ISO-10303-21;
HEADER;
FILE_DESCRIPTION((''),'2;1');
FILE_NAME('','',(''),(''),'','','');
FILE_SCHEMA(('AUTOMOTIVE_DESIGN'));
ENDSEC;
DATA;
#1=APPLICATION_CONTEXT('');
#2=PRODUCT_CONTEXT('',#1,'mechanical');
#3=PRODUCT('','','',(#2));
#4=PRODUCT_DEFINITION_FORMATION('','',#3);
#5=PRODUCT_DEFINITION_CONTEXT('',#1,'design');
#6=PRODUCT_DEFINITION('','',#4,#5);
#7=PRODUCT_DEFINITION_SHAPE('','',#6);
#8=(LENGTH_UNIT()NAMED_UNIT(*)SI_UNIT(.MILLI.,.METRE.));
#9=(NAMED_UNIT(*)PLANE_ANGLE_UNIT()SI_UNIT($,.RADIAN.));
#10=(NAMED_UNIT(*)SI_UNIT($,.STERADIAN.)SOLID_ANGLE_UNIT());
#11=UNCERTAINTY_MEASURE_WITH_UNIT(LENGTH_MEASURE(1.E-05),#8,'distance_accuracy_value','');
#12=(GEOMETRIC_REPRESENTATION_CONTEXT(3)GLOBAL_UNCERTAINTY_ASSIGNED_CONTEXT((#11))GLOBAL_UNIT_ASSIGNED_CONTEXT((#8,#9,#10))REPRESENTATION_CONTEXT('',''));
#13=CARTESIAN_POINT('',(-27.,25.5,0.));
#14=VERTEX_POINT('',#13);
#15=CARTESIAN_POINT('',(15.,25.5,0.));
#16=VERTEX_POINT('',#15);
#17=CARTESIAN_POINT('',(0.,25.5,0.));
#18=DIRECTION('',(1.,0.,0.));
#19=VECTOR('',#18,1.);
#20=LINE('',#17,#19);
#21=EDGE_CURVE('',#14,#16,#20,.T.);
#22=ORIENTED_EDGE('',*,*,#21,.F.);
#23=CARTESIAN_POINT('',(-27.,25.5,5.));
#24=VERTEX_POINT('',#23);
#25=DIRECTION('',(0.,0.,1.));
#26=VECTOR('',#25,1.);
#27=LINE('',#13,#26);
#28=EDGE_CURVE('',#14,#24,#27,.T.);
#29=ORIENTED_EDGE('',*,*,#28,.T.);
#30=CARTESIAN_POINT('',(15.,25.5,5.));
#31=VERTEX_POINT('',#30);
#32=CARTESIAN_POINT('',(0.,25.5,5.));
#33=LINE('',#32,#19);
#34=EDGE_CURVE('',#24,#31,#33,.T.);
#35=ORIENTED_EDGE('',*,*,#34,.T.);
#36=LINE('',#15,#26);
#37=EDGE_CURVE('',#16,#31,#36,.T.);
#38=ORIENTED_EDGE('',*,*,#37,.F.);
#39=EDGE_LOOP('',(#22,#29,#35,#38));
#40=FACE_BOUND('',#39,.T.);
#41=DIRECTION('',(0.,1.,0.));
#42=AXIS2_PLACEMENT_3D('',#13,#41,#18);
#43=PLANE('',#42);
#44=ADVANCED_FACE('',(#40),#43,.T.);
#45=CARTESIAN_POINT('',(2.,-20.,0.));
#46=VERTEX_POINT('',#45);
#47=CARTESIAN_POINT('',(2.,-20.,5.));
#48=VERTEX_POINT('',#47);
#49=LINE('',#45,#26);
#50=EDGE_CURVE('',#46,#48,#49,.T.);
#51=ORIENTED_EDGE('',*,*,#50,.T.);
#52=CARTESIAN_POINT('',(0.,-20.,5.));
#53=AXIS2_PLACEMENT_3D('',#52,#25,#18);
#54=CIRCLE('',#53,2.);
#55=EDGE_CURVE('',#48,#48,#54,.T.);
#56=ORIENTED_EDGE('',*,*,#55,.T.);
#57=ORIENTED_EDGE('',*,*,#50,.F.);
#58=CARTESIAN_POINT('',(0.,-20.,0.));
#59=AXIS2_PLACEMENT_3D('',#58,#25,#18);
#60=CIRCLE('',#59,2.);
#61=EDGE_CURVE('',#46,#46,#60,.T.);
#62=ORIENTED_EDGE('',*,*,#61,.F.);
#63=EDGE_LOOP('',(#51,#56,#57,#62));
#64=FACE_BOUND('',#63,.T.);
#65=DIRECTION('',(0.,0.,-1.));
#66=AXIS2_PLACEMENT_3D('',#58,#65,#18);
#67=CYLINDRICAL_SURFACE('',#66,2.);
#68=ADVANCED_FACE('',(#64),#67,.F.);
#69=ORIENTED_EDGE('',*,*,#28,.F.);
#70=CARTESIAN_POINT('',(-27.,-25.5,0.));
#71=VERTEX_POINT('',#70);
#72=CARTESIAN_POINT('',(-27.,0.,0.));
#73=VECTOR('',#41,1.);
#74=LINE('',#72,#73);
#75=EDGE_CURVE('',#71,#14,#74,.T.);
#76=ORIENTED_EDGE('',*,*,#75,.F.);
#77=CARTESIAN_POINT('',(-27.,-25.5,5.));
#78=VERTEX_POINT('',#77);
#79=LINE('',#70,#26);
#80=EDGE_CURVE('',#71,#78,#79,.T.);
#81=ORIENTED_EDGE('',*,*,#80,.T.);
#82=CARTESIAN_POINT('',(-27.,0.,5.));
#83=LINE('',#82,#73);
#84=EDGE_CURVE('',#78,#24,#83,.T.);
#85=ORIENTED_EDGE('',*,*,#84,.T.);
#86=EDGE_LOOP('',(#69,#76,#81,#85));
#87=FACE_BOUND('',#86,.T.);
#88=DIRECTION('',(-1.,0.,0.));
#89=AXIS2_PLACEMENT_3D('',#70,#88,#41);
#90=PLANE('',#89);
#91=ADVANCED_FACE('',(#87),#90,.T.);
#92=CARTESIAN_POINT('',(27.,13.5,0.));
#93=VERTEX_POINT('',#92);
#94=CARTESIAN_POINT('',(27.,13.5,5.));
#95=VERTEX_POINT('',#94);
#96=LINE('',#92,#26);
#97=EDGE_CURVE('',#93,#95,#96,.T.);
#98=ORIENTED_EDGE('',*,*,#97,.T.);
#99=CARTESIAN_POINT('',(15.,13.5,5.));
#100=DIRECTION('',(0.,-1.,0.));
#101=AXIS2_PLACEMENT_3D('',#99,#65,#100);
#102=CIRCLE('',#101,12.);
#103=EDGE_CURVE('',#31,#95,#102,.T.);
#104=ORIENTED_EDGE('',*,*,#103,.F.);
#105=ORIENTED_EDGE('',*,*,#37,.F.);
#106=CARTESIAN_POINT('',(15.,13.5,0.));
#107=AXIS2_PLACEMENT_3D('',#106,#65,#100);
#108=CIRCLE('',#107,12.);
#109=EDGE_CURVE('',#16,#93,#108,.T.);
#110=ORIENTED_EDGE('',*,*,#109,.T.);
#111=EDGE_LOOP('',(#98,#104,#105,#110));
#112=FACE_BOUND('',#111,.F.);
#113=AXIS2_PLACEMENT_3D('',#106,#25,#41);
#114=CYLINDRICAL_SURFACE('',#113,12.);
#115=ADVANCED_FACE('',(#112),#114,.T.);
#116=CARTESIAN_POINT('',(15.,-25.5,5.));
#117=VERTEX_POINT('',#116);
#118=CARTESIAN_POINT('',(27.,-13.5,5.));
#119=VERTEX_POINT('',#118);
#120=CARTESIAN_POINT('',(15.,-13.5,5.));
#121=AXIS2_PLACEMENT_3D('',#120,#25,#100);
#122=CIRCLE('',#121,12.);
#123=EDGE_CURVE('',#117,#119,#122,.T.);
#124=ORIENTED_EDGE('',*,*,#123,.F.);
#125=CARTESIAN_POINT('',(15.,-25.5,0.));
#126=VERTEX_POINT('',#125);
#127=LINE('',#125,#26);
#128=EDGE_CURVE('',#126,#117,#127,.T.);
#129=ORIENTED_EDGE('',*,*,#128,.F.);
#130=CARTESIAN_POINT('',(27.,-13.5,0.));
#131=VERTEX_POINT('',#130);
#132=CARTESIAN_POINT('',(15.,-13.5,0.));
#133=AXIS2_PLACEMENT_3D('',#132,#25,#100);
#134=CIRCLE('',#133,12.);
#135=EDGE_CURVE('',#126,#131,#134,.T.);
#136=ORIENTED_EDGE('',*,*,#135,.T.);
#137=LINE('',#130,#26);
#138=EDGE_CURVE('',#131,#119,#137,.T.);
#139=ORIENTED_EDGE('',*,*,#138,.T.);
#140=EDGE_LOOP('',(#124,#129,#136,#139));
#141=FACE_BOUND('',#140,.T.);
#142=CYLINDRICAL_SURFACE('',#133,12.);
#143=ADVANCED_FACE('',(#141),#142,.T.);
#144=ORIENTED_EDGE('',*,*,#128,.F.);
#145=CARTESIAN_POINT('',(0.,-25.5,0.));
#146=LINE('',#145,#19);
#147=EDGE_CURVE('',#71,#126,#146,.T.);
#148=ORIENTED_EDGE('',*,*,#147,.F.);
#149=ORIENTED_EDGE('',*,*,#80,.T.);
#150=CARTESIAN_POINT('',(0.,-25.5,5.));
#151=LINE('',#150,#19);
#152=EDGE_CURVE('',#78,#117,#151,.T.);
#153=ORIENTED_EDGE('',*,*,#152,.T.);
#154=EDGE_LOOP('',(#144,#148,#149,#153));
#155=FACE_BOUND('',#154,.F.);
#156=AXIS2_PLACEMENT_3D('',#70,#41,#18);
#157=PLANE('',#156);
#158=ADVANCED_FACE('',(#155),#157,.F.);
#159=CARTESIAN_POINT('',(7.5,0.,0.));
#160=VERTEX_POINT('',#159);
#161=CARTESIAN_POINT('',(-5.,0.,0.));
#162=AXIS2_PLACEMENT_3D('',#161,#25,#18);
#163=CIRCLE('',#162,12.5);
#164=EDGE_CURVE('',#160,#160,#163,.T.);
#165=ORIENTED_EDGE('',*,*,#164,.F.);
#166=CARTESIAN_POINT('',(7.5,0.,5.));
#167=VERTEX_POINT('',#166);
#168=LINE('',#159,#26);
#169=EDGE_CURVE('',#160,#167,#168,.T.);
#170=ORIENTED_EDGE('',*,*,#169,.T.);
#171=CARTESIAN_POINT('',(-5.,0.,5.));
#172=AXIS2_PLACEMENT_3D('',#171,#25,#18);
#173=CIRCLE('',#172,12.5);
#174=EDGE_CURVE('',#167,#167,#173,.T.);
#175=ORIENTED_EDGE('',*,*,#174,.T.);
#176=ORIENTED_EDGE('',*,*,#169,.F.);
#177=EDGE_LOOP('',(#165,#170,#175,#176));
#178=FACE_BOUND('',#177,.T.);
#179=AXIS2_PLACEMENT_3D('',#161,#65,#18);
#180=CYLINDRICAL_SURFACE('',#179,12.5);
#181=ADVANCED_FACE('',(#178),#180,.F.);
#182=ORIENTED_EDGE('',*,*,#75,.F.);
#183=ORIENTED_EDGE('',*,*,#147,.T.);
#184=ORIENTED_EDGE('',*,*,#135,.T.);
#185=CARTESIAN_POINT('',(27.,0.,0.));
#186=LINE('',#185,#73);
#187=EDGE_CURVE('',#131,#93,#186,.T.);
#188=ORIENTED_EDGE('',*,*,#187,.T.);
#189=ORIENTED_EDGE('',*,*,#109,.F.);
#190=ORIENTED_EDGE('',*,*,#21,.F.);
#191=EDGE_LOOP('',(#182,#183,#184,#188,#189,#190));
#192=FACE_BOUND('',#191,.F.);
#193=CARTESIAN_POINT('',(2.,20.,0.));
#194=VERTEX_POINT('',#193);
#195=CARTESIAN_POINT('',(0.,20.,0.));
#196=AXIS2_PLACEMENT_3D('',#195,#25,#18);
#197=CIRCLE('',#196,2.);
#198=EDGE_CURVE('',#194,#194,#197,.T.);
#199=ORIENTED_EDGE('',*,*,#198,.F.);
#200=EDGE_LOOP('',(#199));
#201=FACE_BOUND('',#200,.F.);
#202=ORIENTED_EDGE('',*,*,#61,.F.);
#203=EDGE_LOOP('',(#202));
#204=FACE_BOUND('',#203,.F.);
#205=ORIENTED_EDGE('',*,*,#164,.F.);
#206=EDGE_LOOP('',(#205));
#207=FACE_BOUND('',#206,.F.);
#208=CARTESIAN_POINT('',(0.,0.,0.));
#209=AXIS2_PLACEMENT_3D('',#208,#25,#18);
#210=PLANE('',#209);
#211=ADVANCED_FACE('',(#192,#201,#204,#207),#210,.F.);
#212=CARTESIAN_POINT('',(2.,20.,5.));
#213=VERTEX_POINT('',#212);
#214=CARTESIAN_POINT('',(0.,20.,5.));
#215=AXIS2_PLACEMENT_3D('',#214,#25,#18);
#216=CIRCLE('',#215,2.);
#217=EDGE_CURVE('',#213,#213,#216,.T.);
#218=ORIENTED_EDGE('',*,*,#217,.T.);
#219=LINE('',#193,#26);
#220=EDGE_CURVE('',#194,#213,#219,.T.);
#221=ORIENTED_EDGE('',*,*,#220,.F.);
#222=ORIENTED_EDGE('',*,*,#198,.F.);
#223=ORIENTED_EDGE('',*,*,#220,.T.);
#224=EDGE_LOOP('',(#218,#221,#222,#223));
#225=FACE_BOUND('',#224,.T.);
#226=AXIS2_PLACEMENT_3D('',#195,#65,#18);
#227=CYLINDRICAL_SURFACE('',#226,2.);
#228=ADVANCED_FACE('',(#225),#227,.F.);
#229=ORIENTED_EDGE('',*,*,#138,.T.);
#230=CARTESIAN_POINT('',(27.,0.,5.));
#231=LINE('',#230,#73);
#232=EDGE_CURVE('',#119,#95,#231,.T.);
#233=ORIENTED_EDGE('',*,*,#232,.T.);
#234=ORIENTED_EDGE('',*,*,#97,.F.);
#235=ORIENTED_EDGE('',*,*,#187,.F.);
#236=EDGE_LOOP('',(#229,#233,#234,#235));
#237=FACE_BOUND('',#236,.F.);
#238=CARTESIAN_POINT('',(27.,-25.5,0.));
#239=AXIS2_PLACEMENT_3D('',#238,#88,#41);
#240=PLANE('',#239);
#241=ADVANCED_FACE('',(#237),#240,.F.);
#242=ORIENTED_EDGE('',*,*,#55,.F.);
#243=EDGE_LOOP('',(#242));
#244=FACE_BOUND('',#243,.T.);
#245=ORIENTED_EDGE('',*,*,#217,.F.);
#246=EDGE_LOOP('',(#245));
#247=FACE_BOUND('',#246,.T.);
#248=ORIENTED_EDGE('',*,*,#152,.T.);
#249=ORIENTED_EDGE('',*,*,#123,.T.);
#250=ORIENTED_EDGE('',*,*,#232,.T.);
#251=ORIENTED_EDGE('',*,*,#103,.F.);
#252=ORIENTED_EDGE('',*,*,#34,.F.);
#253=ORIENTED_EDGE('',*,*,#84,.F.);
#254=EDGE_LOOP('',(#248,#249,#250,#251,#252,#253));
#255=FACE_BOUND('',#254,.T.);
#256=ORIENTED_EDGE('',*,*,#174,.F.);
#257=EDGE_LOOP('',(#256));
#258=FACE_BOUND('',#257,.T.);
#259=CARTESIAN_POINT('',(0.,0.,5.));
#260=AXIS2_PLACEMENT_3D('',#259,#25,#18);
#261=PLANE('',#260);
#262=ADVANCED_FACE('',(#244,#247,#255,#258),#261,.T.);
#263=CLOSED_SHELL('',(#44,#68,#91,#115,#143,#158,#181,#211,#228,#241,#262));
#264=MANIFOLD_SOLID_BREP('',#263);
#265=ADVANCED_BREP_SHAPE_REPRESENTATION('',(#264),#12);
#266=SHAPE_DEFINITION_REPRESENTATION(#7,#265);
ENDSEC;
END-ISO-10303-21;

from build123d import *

# Parameters (mm, degrees)
F0_W     = 54
F0_H     = 51
F0_R     = 2
F0_R_2   = 12.5
F1_DEPTH = 5
F2_R     = 12


with BuildPart() as f1:
    # F0 (on Top) → F1 (new body)
    with BuildSketch(Plane.XY):
        Rectangle(F0_W, F0_H)
        with Locations((0, -20)):
            Circle(F0_R, mode=Mode.SUBTRACT)
        with Locations((-5, 0)):
            Circle(F0_R_2, mode=Mode.SUBTRACT)
        with Locations((0, 20)):
            Circle(F0_R, mode=Mode.SUBTRACT)
    extrude(amount=F1_DEPTH)

    # F2
    f2_edges = [f1.edges().sort_by_distance(p)[0] for p in [
        (27, -25.5, 2.5),
        (27, 25.5, 2.5),
    ]]
    fillet(f2_edges, radius=F2_R)


solid = f1.part
